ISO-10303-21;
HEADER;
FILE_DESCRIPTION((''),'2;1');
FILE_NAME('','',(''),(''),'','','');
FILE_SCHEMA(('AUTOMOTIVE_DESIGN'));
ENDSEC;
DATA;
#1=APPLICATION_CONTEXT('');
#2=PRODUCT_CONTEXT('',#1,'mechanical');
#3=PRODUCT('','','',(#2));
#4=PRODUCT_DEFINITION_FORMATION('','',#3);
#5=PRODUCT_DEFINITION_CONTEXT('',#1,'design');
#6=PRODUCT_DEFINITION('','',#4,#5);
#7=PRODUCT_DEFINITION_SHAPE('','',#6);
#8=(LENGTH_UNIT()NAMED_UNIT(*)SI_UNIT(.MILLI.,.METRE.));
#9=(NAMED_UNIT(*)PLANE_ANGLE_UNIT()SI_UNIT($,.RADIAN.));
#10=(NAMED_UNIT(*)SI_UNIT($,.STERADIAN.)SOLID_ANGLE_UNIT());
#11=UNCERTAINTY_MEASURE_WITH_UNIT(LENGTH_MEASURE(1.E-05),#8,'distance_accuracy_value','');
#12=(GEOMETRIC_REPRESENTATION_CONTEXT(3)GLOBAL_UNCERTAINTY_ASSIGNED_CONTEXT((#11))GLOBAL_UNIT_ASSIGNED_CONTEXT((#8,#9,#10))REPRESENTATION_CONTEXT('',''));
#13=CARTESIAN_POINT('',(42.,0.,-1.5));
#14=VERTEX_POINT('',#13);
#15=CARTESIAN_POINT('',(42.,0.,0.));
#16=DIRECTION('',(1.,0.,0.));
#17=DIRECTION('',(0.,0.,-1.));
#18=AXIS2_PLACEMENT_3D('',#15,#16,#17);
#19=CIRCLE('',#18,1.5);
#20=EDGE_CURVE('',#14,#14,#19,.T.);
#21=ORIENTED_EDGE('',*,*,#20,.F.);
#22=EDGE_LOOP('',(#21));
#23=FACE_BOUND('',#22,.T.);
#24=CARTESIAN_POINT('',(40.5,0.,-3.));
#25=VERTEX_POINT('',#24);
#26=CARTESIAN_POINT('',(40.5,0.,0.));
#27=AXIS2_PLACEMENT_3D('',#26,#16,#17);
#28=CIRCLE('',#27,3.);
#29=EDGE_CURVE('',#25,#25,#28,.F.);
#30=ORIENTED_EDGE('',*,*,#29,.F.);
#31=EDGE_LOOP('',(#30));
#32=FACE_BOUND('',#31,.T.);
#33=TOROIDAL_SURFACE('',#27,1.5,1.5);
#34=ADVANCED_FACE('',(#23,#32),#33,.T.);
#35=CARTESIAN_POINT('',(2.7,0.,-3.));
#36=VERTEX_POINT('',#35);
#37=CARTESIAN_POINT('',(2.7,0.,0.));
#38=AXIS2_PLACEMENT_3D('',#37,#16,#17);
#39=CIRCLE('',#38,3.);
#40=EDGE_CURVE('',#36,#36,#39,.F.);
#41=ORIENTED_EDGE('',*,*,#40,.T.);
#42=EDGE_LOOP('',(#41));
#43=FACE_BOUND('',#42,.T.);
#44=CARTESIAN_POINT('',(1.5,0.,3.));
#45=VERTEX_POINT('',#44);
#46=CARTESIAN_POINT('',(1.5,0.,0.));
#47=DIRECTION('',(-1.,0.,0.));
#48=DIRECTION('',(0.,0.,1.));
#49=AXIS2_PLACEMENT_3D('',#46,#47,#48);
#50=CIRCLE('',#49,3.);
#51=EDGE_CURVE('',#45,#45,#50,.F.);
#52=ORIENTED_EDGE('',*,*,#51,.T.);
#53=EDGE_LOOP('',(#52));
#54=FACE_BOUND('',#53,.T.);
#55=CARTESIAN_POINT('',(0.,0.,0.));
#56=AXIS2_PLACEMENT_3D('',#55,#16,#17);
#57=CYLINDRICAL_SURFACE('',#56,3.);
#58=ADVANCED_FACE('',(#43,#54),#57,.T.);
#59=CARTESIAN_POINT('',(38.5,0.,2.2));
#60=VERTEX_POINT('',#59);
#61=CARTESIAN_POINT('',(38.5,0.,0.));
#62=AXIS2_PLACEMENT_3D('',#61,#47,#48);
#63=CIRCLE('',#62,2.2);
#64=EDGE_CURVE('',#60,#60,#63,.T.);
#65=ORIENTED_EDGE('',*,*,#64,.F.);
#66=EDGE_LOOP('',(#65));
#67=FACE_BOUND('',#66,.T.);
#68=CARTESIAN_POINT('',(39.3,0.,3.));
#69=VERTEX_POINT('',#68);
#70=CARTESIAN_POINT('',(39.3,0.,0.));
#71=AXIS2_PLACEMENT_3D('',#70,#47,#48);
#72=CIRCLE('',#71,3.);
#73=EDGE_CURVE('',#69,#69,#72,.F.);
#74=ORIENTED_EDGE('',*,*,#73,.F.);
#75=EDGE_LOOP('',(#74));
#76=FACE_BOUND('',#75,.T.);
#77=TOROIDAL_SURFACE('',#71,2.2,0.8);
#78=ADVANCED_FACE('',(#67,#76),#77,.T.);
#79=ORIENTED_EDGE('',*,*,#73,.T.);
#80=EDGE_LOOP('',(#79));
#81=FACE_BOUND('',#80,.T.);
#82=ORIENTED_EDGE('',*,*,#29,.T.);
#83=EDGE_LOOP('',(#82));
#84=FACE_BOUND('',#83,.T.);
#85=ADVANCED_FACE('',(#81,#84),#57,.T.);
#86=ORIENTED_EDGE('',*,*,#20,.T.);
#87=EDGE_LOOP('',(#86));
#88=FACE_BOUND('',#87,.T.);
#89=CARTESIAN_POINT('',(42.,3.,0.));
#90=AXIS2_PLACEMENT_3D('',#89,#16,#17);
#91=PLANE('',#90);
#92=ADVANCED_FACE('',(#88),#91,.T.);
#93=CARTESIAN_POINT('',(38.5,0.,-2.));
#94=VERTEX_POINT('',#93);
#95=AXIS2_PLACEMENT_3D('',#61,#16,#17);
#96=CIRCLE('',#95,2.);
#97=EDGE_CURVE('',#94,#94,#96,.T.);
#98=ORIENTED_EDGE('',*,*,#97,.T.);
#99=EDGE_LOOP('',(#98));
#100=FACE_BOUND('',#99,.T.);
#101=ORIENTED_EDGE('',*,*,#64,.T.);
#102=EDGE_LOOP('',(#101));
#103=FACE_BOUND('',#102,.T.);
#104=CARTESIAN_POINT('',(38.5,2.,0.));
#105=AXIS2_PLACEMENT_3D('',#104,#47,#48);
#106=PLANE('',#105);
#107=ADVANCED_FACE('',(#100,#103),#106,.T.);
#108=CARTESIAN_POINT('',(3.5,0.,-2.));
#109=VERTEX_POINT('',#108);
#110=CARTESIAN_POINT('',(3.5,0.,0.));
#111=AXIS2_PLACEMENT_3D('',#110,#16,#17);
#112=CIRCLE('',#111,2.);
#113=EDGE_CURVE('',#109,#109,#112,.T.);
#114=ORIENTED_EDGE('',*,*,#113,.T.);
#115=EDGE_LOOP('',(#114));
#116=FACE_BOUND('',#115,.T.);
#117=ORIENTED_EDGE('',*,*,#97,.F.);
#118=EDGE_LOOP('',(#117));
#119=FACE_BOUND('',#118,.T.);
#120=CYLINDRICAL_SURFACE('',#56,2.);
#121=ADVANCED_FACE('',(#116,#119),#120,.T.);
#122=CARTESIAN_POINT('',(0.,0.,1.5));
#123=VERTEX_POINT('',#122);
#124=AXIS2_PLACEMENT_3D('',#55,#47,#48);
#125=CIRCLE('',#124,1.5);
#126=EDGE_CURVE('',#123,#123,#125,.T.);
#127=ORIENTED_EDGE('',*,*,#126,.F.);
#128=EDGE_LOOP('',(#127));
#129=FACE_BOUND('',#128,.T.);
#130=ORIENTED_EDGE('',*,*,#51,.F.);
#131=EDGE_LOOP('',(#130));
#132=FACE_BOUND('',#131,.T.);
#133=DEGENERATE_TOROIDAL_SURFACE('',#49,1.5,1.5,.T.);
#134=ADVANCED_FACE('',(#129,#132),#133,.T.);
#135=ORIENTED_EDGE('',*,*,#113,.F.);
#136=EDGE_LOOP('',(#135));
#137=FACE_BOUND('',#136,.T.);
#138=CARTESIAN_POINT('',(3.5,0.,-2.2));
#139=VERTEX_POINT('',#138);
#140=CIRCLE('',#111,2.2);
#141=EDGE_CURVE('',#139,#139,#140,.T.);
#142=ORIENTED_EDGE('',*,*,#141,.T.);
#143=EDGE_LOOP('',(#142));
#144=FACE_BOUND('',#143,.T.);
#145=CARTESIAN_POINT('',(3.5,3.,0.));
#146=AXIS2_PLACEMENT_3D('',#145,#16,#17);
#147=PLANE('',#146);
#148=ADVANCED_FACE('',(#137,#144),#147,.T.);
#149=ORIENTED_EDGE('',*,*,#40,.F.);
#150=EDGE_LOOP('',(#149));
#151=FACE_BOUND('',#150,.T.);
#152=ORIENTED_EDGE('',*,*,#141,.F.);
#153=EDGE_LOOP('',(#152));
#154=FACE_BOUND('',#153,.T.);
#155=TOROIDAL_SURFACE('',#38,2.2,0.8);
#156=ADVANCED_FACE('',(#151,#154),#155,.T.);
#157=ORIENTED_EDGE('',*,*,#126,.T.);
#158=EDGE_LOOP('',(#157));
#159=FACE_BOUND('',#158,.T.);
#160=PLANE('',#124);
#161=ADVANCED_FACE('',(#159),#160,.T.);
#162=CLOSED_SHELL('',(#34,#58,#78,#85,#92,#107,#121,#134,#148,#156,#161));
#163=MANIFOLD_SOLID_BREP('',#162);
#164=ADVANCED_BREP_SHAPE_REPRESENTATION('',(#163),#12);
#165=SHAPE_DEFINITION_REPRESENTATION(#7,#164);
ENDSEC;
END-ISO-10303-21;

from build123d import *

# Parameters (mm, degrees)
FILLET_1_R = 0.8
FILLET_2_R = 1.5


with BuildPart() as part:
    # Эскиз1 → Повернуть1 (revolve)
    with BuildSketch(Plane.XY, mode=Mode.PRIVATE) as revolve_1_sk:
        Polygon((0, 0), (0, 3), (3.5, 3), (3.5, 2), (38.5, 2), (38.5, 3), (42, 3), (42, 0), align=None)
    revolve(revolve_1_sk.sketch.rotate(Axis((0, 0, 0), (-1, 0, 0)), 90), axis=Axis((0, 0, 0), (-1, 0, 0)))

    # Скругление1
    fillet_1_edges = [part.edges().sort_by_distance(p)[0] for p in [
        (38.5, 0, 3),
        (3.5, 0, 3),
    ]]
    fillet(fillet_1_edges, radius=FILLET_1_R)

    # Скругление2
    fillet_2_edges = [part.edges().sort_by_distance(p)[0] for p in [
        (42, 0, 3),
        (0, 0, 3),
    ]]
    fillet(fillet_2_edges, radius=FILLET_2_R)


solid = part.part
